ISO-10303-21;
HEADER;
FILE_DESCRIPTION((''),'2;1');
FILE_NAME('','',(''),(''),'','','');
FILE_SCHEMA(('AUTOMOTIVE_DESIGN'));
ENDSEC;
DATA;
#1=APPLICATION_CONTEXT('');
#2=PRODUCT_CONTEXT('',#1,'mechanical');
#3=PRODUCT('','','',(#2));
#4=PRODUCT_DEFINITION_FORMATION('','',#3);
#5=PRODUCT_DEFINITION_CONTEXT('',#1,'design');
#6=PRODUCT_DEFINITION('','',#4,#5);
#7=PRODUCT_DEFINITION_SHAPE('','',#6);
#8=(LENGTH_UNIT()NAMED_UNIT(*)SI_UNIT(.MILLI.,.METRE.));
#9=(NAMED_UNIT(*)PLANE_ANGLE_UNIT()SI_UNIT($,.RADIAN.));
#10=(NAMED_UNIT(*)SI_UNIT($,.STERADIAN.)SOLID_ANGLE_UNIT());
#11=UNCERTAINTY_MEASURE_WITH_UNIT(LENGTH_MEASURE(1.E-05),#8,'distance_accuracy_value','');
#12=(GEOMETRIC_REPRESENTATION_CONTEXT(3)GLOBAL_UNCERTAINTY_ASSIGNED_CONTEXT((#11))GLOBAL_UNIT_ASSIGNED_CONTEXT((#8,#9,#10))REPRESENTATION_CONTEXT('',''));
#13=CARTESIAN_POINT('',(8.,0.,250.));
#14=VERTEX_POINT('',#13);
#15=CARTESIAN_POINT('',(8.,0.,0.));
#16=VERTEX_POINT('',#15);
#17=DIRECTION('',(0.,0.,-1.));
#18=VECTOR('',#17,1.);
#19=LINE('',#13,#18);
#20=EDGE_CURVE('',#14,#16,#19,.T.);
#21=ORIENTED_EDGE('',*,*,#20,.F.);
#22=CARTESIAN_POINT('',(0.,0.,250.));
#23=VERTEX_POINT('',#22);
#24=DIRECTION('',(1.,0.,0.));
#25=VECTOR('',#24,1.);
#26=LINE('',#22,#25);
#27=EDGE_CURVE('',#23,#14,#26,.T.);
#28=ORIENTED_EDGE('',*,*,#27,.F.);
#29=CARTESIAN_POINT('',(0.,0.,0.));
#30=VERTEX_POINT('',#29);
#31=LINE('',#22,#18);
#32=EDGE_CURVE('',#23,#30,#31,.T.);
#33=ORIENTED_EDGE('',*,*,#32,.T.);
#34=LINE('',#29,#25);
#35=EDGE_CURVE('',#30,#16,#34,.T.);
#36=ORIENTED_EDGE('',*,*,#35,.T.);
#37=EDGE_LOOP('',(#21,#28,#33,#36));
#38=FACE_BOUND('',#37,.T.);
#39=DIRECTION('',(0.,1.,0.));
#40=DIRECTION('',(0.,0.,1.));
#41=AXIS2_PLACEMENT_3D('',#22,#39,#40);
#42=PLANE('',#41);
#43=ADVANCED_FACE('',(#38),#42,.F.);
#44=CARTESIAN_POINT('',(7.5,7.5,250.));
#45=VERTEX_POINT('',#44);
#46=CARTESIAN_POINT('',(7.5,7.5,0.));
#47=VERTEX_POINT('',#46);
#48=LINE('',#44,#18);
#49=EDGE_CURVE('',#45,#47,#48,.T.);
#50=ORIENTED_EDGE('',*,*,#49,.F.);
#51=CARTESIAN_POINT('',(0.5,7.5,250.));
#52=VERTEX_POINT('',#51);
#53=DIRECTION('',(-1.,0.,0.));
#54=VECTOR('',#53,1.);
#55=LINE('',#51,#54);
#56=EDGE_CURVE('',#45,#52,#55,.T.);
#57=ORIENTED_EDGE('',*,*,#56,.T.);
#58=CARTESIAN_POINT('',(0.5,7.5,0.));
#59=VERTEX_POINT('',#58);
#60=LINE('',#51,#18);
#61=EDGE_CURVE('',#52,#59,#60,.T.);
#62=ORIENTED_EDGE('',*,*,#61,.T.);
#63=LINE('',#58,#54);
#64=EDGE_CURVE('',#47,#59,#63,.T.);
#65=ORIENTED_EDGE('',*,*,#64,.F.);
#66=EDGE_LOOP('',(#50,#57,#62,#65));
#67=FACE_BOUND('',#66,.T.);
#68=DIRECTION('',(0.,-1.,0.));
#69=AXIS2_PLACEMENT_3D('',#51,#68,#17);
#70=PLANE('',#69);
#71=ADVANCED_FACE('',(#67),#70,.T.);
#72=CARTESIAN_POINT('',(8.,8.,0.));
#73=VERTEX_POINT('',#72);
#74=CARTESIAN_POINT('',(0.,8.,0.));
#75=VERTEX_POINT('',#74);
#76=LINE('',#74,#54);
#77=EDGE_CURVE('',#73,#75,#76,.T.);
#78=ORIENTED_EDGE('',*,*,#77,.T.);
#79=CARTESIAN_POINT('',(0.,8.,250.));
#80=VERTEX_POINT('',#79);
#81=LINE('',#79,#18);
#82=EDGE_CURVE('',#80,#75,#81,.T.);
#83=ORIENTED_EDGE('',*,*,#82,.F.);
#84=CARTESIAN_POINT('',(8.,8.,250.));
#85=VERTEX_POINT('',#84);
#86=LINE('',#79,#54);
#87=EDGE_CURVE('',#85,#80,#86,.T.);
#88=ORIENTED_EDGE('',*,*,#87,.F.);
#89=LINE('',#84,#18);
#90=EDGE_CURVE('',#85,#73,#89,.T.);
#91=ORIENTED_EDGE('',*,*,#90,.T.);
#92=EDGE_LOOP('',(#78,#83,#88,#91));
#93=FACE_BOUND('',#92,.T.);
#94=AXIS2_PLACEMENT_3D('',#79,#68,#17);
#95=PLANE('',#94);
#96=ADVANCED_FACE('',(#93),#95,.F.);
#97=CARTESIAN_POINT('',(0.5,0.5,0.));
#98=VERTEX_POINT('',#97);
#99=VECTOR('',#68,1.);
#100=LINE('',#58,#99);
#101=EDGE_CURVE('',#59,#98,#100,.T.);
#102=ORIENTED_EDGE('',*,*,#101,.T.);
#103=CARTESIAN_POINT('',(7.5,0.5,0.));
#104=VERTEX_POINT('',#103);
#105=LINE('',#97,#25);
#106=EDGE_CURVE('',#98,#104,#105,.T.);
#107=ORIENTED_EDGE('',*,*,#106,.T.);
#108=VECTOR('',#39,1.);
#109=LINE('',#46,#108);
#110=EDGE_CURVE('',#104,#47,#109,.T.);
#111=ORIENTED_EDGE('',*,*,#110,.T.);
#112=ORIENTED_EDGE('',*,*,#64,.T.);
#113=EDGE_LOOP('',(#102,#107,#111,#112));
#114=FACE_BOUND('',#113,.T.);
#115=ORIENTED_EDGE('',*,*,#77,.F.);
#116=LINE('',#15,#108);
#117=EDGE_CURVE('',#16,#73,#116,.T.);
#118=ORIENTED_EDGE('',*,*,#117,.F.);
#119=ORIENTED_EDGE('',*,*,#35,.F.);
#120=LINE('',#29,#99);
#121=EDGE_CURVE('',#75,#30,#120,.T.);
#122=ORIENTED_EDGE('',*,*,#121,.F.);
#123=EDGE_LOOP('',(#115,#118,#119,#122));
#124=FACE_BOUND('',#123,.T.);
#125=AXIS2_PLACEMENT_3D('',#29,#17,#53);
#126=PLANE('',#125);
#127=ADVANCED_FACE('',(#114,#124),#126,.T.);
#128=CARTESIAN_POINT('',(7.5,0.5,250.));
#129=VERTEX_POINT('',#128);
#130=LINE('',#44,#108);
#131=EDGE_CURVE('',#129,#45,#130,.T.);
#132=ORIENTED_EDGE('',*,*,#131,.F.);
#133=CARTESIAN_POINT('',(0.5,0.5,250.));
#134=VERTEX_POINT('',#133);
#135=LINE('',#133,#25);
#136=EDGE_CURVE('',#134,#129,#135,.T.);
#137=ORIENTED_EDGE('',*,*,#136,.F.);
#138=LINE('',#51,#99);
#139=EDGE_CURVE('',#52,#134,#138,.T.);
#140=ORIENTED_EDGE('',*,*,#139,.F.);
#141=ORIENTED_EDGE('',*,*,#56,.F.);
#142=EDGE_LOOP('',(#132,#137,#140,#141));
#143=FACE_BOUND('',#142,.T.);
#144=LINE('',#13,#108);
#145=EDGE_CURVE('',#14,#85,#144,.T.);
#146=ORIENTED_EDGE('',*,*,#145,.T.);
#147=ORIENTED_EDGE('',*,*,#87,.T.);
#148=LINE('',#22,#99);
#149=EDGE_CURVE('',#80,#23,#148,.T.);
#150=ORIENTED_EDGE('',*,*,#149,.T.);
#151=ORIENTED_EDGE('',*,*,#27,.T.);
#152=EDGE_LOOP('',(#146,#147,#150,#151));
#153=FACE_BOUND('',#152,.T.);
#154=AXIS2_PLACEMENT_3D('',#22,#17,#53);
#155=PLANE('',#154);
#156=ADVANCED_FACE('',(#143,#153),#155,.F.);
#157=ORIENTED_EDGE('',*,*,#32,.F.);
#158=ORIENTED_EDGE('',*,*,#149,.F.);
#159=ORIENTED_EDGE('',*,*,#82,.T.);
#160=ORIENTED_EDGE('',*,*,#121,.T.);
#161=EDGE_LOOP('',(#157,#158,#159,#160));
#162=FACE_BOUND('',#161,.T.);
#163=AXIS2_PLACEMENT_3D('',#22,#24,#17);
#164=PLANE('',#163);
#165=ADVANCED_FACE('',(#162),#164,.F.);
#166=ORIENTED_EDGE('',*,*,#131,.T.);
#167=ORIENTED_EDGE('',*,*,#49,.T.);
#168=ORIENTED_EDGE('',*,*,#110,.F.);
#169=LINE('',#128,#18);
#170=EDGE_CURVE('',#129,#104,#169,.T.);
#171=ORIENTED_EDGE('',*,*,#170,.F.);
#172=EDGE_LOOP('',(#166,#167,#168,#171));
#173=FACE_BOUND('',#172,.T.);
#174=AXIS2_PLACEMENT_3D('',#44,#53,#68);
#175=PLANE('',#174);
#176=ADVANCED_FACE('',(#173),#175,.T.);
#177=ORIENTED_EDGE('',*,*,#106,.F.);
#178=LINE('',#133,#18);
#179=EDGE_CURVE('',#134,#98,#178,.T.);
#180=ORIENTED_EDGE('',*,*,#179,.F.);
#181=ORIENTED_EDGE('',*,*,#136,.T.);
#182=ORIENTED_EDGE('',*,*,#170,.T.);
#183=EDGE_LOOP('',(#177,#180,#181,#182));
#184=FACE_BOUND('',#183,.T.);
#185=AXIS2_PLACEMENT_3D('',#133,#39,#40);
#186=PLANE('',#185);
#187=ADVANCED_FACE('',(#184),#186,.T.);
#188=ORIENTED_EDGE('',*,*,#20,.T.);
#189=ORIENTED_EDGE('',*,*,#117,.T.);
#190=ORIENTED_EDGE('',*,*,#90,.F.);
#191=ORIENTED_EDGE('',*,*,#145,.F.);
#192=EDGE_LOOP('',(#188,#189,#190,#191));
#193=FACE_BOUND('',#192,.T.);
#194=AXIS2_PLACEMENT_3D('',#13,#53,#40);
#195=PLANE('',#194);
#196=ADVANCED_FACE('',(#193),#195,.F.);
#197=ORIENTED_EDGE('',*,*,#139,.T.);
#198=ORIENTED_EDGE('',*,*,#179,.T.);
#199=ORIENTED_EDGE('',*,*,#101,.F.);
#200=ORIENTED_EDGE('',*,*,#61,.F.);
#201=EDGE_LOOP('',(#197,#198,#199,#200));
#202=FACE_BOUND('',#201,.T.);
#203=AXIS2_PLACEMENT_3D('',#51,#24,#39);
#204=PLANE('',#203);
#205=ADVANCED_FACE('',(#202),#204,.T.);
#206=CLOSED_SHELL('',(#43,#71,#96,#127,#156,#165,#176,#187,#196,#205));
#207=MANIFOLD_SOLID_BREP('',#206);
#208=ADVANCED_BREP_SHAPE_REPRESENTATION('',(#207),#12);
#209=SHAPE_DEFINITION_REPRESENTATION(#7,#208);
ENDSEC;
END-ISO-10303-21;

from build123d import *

# Parameters (mm, degrees)
SKETCH2_W           = 8
SKETCH2_H           = 8
SKETCH2_W_2         = 7
SKETCH2_H_2         = 7
BOSS_EXTRUDE1_DEPTH = 250


with BuildPart() as part:
    # Sketch2 → Boss-Extrude1 (new body)
    with BuildSketch(Plane.XY):
        with Locations((4, 4)):
            Rectangle(SKETCH2_W, SKETCH2_H)
        with Locations((4, 4)):
            Rectangle(SKETCH2_W_2, SKETCH2_H_2, mode=Mode.SUBTRACT)
    extrude(amount=BOSS_EXTRUDE1_DEPTH)


solid = part.part
